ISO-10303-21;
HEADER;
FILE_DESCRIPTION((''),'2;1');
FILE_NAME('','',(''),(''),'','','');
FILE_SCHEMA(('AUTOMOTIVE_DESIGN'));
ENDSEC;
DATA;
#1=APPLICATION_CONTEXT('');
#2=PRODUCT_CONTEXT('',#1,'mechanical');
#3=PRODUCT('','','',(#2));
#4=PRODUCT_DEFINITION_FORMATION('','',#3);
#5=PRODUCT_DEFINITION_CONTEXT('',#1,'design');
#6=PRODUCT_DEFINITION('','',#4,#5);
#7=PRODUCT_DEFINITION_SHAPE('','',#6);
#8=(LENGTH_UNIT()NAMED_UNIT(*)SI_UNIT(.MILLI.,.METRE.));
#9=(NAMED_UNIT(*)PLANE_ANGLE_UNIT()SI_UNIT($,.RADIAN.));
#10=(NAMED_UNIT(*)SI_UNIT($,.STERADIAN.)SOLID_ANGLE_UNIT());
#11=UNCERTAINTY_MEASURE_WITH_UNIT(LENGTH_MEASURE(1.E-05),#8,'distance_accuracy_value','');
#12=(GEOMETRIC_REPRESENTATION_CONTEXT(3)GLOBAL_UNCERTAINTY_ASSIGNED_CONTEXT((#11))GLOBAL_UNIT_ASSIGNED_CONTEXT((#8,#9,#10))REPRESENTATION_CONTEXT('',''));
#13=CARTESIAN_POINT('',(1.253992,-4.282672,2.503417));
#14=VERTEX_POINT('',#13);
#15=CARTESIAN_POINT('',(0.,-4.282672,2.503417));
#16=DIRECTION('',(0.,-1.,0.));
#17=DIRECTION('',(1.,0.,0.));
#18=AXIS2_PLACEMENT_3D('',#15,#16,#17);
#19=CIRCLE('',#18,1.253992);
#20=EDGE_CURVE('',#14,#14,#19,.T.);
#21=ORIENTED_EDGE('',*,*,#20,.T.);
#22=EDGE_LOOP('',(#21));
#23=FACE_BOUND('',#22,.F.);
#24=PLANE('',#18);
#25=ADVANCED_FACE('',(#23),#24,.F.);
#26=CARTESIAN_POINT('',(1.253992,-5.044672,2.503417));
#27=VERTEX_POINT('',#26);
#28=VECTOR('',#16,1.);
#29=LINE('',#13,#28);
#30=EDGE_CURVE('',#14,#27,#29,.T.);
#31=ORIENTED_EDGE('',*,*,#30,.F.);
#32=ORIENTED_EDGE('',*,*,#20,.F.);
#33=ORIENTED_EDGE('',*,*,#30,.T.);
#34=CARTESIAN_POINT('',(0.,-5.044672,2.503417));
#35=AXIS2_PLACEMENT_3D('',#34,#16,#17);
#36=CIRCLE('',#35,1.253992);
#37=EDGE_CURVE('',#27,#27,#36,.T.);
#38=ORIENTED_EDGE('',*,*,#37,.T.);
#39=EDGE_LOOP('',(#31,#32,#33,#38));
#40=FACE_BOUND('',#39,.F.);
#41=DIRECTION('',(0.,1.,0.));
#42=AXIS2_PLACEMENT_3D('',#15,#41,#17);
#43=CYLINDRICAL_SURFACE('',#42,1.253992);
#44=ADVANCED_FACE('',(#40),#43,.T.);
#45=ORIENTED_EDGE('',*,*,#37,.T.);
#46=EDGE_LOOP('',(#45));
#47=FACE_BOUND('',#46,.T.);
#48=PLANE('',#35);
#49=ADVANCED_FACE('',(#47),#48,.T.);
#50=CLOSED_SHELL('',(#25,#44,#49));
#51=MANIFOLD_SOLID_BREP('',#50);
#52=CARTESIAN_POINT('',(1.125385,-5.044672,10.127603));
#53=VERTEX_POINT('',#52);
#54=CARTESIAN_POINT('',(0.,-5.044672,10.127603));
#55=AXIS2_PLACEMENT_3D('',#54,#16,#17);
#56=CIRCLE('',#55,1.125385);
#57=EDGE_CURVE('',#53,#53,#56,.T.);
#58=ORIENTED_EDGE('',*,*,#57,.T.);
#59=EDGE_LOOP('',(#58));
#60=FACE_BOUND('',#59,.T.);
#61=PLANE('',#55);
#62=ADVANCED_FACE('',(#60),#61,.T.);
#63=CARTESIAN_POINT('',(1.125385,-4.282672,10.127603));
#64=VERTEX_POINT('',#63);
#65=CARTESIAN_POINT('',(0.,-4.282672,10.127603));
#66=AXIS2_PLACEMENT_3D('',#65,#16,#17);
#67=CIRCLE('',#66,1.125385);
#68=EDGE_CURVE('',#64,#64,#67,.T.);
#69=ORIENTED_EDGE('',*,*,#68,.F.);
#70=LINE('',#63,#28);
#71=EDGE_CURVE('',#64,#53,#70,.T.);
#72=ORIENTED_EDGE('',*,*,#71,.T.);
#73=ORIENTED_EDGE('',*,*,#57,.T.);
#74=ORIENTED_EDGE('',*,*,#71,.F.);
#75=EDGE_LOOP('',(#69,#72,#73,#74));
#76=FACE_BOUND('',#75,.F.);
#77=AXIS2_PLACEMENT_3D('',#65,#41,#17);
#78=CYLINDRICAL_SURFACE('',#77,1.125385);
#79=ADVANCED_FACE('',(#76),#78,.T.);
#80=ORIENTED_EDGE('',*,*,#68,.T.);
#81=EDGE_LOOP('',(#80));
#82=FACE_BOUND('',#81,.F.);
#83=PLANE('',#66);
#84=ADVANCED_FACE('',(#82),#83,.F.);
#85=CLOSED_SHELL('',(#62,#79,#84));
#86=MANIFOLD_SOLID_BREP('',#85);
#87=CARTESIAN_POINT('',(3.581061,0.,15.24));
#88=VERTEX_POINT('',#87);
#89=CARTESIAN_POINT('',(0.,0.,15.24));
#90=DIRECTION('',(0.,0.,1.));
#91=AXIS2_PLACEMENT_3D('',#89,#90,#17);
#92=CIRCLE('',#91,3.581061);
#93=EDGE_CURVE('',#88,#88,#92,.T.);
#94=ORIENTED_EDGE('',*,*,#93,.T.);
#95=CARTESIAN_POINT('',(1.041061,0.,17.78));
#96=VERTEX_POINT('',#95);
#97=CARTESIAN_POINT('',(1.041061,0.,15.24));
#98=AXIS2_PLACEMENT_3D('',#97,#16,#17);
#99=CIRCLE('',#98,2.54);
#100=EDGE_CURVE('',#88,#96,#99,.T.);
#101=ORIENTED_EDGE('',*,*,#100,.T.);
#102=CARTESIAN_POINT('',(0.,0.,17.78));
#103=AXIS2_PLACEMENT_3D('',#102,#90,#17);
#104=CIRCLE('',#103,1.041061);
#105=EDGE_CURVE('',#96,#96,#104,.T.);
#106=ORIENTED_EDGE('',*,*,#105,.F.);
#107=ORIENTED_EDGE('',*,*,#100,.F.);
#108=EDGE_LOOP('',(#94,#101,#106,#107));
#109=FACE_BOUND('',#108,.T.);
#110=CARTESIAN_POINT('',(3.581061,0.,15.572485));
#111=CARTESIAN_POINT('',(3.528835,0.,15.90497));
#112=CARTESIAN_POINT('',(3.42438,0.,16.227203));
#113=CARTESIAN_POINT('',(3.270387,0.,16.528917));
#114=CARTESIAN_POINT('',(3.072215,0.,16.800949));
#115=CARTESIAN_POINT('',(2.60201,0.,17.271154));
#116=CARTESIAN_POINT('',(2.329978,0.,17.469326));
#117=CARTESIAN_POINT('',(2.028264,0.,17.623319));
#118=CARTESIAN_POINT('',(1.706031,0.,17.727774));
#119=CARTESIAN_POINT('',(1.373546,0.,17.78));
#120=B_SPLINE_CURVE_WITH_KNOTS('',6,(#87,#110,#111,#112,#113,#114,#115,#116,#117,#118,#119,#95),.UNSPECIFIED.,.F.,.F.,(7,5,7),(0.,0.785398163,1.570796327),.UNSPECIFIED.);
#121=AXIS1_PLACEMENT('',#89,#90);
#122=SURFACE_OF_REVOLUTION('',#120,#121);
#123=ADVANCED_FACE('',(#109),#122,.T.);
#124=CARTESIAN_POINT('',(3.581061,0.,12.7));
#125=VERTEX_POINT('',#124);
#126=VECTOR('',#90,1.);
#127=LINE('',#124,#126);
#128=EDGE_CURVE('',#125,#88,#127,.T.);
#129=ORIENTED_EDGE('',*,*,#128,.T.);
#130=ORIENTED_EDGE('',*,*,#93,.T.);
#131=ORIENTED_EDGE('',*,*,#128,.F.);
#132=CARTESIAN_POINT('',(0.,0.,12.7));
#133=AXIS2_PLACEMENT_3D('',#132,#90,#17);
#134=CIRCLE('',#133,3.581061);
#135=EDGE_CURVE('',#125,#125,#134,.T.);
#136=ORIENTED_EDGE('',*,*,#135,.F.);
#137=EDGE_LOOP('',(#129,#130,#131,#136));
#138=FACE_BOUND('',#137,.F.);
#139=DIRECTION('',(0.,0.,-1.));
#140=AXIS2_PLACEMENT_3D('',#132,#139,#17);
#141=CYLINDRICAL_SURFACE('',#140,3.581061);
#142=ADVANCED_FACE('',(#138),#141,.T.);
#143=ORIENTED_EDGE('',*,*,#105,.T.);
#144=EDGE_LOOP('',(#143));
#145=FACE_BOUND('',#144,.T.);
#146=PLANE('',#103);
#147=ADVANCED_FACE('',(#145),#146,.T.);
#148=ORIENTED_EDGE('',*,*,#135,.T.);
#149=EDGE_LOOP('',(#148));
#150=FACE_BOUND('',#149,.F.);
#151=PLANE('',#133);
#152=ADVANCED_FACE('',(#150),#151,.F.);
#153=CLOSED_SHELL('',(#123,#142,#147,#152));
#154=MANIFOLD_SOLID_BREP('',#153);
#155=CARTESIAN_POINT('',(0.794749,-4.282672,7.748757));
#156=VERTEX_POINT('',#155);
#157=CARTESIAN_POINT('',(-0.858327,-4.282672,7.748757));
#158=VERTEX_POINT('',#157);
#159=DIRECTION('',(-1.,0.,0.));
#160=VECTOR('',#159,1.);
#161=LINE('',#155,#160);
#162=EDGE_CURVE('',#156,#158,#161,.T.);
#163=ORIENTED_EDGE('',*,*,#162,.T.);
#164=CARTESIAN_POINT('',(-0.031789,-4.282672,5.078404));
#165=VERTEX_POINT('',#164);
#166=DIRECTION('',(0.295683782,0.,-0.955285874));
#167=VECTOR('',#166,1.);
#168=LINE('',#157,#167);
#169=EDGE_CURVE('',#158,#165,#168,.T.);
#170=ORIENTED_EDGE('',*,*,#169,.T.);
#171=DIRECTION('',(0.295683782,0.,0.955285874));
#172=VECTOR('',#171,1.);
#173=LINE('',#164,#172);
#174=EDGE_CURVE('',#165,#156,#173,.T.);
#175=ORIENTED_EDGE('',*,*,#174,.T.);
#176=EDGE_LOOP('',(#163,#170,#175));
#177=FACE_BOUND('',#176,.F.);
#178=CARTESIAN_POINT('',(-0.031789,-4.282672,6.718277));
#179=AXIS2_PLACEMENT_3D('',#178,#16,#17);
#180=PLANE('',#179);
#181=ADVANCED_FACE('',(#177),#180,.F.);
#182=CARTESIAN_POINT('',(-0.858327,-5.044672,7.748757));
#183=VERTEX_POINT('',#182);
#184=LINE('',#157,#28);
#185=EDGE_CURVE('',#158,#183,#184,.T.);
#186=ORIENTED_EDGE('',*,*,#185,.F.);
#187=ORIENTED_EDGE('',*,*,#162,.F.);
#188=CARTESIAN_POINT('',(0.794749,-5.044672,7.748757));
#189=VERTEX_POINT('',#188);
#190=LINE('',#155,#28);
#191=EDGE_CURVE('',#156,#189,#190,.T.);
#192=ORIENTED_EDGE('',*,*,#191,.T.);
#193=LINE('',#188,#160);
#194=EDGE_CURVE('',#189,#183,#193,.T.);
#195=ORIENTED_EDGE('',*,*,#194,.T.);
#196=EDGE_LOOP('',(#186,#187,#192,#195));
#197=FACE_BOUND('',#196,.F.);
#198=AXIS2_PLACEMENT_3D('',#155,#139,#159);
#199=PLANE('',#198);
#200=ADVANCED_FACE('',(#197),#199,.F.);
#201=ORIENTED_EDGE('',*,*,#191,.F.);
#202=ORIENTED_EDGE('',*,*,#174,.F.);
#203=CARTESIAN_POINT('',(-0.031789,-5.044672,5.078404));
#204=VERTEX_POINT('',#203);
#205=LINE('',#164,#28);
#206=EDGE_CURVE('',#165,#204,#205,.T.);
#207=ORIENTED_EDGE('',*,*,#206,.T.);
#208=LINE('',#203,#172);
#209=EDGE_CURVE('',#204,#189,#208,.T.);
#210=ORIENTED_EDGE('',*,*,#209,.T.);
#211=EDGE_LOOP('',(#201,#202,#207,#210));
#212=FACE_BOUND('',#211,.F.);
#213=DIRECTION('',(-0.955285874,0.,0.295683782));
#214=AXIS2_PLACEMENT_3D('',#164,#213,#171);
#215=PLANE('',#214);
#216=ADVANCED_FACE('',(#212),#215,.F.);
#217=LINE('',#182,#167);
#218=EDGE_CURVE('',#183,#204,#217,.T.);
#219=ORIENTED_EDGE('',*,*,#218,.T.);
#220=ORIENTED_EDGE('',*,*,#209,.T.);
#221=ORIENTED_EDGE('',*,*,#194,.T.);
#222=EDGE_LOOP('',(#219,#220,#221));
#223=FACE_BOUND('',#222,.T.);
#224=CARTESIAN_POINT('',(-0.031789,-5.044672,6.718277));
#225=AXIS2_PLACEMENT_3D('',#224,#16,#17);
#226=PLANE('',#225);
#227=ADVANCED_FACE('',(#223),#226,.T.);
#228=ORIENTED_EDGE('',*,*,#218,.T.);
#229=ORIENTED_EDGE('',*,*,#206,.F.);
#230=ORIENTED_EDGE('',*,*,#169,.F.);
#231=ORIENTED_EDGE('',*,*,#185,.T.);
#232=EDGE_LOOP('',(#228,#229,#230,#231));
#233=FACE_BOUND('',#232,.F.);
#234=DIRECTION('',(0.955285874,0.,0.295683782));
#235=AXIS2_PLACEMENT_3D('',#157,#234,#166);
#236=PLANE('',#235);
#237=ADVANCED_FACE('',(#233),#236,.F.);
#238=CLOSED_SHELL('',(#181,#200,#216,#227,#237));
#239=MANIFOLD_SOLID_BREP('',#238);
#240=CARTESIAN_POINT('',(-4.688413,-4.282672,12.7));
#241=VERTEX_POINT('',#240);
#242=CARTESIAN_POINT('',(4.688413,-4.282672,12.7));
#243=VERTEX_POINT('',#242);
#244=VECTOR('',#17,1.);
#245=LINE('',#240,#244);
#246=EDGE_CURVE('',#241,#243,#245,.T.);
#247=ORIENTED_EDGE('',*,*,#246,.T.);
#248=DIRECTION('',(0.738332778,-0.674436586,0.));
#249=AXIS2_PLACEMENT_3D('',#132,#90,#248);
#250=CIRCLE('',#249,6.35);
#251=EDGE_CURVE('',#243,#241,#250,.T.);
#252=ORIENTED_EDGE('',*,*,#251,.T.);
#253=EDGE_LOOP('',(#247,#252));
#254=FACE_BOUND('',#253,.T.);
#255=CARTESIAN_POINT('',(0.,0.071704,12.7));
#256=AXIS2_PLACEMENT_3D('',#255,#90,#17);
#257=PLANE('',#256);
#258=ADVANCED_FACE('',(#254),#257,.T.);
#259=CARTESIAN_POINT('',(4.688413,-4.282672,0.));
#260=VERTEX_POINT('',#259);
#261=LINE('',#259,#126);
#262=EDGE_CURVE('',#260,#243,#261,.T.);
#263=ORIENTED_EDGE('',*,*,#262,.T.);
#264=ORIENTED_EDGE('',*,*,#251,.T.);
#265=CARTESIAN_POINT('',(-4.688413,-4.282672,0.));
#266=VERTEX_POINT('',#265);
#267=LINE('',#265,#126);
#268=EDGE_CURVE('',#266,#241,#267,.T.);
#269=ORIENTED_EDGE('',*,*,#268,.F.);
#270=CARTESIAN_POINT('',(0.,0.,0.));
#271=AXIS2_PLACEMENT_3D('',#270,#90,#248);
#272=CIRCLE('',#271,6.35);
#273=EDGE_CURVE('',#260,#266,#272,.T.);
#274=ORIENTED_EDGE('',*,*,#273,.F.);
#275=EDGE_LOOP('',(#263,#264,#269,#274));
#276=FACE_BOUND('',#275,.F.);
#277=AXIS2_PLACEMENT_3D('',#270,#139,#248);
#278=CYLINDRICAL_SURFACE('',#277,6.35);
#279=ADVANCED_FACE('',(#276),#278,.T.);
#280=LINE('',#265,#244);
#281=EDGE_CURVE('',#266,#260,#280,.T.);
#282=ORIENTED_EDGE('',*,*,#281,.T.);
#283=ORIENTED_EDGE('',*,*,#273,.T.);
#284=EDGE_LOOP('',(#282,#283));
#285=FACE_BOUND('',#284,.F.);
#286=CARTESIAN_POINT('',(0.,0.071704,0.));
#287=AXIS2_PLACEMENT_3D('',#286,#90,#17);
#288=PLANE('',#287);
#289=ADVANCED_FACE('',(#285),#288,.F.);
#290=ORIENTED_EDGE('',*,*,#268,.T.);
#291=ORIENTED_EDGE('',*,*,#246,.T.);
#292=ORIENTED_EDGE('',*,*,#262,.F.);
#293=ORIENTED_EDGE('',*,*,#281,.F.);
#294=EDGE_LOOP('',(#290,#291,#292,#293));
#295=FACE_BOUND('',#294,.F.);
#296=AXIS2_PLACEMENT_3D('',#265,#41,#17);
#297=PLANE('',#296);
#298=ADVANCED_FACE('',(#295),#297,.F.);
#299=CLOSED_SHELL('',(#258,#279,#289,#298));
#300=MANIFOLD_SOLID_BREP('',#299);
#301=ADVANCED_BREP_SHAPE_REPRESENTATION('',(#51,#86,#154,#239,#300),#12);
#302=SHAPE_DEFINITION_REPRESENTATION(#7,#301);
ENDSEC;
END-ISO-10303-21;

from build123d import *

# Parameters (mm, degrees)
F1_DEPTH  = 12.7
F2_R      = 3.581061
F3_DEPTH  = 5.08
F4_R      = 2.54
F5_R      = 1.125385
F6_DEPTH  = 0.762
F7_R      = 1.253992
F8_DEPTH  = 0.762
F10_DEPTH = 0.762


with BuildPart() as f1:
    # F0 (on Top) → F1 (new body)
    with BuildSketch(Plane.XY):
        with BuildLine():
            Line((-4.688413, -4.282672), (4.688413, -4.282672))
            ThreePointArc((4.688413, -4.282672), (0, 6.35), (-4.688413, -4.282672))
        make_face()
    extrude(amount=F1_DEPTH)


with BuildPart() as f3:
    # F2 (on face) → F3 (new body)
    with BuildSketch(Plane.XY.offset(12.7)):
        Circle(F2_R)
    extrude(amount=F3_DEPTH)

    # F4
    f4_edges = [f3.edges().sort_by_distance(p)[0] for p in [
        (-3.581061, 0, 17.78),
    ]]
    fillet(f4_edges, radius=F4_R)


with BuildPart() as f6:
    # F5 (on face) → F6 (new body)
    with BuildSketch(Plane.XZ.offset(4.282672)):
        with Locations((0, 10.127603)):
            Circle(F5_R)
    extrude(amount=F6_DEPTH)


with BuildPart() as f8:
    # F7 (on face) → F8 (new body)
    with BuildSketch(Plane.XZ.offset(4.282672)):
        with Locations((0, 2.503417)):
            Circle(F7_R)
    extrude(amount=F8_DEPTH)


with BuildPart() as f10:
    # F9 (on face) → F10 (new body)
    with BuildSketch(Plane.XZ.offset(4.282672)):
        Polygon((0.794749, 7.748757), (-0.858327, 7.748757), (-0.031789, 5.078404), align=None)
    extrude(amount=F10_DEPTH)


solid = Compound([f1.part, f3.part, f6.part, f8.part, f10.part])
